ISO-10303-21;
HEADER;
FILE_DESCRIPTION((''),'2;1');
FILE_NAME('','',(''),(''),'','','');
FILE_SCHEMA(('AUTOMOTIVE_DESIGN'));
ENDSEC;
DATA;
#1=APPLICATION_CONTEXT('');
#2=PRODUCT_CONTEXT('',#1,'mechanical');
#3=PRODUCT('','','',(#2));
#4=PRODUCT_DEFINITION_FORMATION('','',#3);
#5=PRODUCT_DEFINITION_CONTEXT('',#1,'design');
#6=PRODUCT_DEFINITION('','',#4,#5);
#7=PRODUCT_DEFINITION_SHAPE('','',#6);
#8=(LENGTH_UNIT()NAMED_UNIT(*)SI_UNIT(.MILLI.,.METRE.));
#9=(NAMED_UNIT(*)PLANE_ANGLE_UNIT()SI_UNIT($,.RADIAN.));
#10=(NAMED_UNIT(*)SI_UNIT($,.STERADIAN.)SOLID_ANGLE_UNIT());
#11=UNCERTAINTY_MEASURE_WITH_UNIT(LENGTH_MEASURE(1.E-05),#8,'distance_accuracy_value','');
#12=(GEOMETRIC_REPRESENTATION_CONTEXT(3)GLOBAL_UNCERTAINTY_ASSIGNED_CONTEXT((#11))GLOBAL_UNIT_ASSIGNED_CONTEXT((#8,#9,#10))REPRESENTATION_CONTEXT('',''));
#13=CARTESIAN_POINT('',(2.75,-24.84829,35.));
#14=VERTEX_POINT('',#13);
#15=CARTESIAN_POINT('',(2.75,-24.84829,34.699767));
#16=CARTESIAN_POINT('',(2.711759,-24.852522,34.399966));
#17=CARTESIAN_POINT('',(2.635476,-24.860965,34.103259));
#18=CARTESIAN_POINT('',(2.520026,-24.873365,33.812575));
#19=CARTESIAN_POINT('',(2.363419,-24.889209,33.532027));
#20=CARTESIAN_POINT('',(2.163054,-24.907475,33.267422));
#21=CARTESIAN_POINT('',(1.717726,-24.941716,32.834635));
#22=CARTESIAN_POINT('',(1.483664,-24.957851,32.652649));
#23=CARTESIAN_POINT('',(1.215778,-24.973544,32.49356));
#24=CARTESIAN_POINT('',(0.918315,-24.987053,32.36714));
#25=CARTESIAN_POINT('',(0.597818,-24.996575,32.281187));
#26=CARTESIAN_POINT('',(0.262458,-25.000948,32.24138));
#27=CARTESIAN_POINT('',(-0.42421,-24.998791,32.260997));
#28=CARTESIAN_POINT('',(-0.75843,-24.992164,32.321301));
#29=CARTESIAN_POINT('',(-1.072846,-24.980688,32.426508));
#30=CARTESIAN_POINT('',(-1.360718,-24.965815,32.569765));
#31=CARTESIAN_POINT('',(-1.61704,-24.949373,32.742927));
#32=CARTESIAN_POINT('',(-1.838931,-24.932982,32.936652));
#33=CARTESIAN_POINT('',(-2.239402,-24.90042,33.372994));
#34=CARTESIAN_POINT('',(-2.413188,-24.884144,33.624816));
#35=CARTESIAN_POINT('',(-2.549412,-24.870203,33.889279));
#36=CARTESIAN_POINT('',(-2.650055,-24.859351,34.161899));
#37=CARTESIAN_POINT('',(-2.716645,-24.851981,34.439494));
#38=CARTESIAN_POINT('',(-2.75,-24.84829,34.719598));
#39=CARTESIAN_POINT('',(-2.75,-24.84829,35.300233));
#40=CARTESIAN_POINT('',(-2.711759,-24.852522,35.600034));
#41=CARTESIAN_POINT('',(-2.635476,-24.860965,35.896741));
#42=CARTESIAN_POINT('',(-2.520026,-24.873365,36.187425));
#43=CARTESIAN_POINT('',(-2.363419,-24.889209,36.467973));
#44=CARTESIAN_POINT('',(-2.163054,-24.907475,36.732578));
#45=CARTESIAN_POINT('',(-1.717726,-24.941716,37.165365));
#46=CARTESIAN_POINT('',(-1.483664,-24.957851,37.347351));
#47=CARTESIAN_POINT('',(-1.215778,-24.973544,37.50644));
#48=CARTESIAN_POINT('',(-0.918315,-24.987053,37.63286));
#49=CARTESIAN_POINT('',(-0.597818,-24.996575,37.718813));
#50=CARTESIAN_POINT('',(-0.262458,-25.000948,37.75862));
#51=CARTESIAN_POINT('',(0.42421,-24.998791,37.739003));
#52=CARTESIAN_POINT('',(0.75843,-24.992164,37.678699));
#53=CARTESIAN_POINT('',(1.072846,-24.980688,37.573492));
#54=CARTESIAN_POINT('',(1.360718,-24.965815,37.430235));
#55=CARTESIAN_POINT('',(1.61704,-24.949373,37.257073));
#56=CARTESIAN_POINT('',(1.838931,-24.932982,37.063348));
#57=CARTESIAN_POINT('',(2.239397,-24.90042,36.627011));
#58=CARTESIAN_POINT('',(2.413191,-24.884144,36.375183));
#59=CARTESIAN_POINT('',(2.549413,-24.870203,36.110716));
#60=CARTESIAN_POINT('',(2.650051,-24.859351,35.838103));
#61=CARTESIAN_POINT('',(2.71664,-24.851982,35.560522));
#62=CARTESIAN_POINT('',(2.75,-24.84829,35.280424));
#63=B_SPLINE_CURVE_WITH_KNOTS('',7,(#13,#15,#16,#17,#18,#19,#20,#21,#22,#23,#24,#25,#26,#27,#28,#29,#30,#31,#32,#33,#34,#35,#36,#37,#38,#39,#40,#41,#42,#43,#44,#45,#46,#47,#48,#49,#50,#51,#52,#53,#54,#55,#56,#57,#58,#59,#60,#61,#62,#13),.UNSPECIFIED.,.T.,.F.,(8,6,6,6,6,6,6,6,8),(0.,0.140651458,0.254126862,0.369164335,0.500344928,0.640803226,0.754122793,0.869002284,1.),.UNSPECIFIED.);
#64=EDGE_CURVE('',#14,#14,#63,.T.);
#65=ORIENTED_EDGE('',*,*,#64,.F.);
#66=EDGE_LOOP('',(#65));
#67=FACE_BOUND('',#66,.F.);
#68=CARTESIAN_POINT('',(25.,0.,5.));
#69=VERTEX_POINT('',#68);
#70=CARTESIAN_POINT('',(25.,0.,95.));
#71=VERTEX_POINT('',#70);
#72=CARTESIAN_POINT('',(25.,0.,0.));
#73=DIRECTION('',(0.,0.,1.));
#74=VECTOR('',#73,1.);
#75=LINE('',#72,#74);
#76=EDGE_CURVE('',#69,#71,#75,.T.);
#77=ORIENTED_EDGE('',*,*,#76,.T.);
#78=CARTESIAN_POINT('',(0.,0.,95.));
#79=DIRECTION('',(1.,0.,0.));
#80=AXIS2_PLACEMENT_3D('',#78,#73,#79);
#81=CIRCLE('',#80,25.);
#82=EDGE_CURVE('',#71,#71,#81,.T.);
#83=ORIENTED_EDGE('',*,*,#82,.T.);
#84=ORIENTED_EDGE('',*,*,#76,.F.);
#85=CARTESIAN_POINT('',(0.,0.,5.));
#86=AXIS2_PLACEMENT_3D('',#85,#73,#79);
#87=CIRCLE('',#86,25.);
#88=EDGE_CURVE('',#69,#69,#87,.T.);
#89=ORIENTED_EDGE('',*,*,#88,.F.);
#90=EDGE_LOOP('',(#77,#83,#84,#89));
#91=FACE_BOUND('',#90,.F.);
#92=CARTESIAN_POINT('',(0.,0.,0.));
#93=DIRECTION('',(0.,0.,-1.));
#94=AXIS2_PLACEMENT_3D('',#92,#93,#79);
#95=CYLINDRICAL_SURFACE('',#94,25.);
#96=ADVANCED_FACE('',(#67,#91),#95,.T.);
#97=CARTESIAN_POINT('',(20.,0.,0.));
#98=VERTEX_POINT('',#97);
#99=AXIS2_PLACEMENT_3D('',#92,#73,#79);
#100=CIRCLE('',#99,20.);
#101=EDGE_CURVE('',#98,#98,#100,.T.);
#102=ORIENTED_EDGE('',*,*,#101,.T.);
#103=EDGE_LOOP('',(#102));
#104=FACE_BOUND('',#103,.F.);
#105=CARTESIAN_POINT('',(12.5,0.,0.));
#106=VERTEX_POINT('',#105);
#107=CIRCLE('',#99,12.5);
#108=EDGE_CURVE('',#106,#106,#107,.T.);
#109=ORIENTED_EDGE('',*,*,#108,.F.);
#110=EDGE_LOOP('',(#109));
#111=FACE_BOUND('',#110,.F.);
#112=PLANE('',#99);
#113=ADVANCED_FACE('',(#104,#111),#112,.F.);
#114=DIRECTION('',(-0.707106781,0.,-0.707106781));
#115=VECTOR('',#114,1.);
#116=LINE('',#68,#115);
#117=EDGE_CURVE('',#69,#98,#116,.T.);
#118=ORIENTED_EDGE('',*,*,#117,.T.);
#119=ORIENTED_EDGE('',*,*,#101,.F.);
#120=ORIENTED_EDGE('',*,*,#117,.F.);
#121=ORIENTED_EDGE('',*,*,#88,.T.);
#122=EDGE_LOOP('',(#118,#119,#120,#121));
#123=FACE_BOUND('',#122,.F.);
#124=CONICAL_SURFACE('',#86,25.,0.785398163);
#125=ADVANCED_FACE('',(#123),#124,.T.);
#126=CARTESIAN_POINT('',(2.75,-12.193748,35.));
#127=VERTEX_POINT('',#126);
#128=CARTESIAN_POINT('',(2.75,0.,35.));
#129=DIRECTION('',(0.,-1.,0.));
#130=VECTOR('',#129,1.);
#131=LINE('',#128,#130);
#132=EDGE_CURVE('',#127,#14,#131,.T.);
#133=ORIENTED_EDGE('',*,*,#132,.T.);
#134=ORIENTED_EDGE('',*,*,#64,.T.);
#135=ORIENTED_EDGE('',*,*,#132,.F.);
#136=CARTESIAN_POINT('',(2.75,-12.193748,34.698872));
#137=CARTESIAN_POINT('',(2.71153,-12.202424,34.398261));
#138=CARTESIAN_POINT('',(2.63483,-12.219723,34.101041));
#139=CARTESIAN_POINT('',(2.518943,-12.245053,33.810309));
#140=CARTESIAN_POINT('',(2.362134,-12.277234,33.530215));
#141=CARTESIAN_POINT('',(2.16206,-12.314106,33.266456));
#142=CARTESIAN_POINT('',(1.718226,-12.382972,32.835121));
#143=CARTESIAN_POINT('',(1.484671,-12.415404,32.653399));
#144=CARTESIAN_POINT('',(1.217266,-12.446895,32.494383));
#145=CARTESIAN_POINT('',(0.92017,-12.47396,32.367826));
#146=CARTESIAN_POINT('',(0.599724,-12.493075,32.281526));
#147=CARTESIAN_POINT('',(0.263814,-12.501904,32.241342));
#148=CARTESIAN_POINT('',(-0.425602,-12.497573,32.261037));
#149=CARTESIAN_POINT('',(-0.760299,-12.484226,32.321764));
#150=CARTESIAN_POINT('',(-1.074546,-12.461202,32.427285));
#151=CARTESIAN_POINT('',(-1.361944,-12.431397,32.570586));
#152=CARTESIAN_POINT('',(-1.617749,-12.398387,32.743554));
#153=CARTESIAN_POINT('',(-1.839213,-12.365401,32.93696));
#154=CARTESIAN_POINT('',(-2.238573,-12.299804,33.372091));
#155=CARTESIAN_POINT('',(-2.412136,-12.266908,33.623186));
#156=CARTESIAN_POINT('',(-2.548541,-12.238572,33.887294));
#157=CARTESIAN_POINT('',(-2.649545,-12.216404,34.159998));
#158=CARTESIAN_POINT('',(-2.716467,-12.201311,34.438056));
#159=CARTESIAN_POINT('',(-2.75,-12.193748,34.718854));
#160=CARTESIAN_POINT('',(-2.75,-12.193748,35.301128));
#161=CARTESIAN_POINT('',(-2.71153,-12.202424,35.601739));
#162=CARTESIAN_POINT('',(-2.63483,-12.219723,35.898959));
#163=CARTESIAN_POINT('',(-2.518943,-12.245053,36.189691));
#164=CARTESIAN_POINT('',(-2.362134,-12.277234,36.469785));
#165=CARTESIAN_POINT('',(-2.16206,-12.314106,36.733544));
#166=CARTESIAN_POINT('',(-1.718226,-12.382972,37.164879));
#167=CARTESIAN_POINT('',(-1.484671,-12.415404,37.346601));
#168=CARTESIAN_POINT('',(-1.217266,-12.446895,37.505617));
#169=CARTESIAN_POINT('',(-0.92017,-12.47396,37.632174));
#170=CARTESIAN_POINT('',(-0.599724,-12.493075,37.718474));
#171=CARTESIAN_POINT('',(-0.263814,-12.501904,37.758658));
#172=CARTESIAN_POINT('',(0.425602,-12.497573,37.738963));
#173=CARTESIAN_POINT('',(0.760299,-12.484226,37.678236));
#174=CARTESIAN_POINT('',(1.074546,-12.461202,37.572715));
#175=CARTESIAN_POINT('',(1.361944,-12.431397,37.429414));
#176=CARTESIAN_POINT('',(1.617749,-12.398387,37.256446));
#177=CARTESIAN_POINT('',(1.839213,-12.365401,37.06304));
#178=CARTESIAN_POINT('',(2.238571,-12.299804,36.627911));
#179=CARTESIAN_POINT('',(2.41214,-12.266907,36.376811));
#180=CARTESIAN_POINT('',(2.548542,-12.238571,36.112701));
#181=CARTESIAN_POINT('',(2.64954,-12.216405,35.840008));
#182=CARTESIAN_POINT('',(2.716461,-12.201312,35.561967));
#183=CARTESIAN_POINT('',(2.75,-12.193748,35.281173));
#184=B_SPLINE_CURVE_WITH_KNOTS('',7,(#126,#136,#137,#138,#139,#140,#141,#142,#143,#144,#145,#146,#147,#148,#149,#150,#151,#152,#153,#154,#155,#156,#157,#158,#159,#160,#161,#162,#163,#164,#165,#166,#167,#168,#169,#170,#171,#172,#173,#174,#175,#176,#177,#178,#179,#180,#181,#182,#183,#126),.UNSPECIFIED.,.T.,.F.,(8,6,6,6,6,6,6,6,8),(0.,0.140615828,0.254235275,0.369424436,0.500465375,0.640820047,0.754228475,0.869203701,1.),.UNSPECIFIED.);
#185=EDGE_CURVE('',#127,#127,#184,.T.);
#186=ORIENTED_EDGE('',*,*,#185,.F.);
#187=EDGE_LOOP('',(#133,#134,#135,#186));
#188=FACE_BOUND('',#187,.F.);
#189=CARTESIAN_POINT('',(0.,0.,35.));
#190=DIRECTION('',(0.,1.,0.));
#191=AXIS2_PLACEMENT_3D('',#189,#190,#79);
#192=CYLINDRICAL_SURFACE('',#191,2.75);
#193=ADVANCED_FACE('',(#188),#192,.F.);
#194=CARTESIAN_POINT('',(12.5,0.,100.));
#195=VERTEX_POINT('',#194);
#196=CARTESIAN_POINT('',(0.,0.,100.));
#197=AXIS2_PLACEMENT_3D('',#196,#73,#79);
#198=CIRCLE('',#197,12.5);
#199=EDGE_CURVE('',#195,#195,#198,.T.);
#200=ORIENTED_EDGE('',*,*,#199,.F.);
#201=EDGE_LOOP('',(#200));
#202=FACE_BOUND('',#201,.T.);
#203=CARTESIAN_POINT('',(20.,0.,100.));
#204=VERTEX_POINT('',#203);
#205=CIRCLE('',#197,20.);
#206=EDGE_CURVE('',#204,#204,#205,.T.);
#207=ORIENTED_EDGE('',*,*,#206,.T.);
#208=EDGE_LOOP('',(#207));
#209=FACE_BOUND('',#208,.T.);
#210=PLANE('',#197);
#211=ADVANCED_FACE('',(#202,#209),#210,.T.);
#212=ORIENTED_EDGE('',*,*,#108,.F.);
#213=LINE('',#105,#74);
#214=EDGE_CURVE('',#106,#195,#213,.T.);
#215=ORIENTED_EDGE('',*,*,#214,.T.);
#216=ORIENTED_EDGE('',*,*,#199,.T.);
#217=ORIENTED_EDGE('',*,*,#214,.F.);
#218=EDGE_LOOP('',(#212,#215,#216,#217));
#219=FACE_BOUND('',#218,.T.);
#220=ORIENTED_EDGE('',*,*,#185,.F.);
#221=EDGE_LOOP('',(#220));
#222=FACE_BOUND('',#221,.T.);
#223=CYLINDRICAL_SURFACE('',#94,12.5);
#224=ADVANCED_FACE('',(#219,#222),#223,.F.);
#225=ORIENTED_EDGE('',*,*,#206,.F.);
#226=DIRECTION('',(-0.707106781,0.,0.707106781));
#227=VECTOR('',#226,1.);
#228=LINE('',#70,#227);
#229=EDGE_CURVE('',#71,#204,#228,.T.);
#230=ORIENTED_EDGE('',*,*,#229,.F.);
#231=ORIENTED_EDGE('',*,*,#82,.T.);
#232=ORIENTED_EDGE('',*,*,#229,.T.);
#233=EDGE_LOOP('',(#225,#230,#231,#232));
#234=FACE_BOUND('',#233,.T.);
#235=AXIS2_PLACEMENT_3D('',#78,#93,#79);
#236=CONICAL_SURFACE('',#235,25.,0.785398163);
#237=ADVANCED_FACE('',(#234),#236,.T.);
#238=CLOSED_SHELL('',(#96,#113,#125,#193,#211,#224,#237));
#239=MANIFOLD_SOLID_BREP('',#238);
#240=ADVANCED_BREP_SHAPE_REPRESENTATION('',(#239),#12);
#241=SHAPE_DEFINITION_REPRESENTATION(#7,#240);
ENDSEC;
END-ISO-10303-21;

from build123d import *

# Parameters (mm, degrees)
F0_R     = 25
F0_R_2   = 12.5
F1_DEPTH = 100
F2_SIZE  = 5
F3_SIZE  = 5
F5_D     = 5.5
F5_DEPTH = 25.001


with BuildPart() as f1:
    # F0 (on Top) → F1 (new body)
    with BuildSketch(Plane.XY):
        Circle(F0_R)
        Circle(F0_R_2, mode=Mode.SUBTRACT)
    extrude(amount=F1_DEPTH)

    # F2
    f2_edges = [f1.edges().sort_by_distance(p)[0] for p in [
        (-25, 0, 100),
    ]]
    chamfer(f2_edges, length=F2_SIZE)

    # F3
    f3_edges = [f1.edges().sort_by_distance(p)[0] for p in [
        (-25, 0, 0),
    ]]
    chamfer(f3_edges, length=F3_SIZE)

    # F5 (through all, one way)
    with BuildSketch(Plane(origin=(0, 0, 0), x_dir=(1, 0, 0), z_dir=(0, 1, 0))):
        with Locations((0, -35)):
            Circle(F5_D / 2)
    extrude(amount=-F5_DEPTH, mode=Mode.SUBTRACT)


solid = f1.part
